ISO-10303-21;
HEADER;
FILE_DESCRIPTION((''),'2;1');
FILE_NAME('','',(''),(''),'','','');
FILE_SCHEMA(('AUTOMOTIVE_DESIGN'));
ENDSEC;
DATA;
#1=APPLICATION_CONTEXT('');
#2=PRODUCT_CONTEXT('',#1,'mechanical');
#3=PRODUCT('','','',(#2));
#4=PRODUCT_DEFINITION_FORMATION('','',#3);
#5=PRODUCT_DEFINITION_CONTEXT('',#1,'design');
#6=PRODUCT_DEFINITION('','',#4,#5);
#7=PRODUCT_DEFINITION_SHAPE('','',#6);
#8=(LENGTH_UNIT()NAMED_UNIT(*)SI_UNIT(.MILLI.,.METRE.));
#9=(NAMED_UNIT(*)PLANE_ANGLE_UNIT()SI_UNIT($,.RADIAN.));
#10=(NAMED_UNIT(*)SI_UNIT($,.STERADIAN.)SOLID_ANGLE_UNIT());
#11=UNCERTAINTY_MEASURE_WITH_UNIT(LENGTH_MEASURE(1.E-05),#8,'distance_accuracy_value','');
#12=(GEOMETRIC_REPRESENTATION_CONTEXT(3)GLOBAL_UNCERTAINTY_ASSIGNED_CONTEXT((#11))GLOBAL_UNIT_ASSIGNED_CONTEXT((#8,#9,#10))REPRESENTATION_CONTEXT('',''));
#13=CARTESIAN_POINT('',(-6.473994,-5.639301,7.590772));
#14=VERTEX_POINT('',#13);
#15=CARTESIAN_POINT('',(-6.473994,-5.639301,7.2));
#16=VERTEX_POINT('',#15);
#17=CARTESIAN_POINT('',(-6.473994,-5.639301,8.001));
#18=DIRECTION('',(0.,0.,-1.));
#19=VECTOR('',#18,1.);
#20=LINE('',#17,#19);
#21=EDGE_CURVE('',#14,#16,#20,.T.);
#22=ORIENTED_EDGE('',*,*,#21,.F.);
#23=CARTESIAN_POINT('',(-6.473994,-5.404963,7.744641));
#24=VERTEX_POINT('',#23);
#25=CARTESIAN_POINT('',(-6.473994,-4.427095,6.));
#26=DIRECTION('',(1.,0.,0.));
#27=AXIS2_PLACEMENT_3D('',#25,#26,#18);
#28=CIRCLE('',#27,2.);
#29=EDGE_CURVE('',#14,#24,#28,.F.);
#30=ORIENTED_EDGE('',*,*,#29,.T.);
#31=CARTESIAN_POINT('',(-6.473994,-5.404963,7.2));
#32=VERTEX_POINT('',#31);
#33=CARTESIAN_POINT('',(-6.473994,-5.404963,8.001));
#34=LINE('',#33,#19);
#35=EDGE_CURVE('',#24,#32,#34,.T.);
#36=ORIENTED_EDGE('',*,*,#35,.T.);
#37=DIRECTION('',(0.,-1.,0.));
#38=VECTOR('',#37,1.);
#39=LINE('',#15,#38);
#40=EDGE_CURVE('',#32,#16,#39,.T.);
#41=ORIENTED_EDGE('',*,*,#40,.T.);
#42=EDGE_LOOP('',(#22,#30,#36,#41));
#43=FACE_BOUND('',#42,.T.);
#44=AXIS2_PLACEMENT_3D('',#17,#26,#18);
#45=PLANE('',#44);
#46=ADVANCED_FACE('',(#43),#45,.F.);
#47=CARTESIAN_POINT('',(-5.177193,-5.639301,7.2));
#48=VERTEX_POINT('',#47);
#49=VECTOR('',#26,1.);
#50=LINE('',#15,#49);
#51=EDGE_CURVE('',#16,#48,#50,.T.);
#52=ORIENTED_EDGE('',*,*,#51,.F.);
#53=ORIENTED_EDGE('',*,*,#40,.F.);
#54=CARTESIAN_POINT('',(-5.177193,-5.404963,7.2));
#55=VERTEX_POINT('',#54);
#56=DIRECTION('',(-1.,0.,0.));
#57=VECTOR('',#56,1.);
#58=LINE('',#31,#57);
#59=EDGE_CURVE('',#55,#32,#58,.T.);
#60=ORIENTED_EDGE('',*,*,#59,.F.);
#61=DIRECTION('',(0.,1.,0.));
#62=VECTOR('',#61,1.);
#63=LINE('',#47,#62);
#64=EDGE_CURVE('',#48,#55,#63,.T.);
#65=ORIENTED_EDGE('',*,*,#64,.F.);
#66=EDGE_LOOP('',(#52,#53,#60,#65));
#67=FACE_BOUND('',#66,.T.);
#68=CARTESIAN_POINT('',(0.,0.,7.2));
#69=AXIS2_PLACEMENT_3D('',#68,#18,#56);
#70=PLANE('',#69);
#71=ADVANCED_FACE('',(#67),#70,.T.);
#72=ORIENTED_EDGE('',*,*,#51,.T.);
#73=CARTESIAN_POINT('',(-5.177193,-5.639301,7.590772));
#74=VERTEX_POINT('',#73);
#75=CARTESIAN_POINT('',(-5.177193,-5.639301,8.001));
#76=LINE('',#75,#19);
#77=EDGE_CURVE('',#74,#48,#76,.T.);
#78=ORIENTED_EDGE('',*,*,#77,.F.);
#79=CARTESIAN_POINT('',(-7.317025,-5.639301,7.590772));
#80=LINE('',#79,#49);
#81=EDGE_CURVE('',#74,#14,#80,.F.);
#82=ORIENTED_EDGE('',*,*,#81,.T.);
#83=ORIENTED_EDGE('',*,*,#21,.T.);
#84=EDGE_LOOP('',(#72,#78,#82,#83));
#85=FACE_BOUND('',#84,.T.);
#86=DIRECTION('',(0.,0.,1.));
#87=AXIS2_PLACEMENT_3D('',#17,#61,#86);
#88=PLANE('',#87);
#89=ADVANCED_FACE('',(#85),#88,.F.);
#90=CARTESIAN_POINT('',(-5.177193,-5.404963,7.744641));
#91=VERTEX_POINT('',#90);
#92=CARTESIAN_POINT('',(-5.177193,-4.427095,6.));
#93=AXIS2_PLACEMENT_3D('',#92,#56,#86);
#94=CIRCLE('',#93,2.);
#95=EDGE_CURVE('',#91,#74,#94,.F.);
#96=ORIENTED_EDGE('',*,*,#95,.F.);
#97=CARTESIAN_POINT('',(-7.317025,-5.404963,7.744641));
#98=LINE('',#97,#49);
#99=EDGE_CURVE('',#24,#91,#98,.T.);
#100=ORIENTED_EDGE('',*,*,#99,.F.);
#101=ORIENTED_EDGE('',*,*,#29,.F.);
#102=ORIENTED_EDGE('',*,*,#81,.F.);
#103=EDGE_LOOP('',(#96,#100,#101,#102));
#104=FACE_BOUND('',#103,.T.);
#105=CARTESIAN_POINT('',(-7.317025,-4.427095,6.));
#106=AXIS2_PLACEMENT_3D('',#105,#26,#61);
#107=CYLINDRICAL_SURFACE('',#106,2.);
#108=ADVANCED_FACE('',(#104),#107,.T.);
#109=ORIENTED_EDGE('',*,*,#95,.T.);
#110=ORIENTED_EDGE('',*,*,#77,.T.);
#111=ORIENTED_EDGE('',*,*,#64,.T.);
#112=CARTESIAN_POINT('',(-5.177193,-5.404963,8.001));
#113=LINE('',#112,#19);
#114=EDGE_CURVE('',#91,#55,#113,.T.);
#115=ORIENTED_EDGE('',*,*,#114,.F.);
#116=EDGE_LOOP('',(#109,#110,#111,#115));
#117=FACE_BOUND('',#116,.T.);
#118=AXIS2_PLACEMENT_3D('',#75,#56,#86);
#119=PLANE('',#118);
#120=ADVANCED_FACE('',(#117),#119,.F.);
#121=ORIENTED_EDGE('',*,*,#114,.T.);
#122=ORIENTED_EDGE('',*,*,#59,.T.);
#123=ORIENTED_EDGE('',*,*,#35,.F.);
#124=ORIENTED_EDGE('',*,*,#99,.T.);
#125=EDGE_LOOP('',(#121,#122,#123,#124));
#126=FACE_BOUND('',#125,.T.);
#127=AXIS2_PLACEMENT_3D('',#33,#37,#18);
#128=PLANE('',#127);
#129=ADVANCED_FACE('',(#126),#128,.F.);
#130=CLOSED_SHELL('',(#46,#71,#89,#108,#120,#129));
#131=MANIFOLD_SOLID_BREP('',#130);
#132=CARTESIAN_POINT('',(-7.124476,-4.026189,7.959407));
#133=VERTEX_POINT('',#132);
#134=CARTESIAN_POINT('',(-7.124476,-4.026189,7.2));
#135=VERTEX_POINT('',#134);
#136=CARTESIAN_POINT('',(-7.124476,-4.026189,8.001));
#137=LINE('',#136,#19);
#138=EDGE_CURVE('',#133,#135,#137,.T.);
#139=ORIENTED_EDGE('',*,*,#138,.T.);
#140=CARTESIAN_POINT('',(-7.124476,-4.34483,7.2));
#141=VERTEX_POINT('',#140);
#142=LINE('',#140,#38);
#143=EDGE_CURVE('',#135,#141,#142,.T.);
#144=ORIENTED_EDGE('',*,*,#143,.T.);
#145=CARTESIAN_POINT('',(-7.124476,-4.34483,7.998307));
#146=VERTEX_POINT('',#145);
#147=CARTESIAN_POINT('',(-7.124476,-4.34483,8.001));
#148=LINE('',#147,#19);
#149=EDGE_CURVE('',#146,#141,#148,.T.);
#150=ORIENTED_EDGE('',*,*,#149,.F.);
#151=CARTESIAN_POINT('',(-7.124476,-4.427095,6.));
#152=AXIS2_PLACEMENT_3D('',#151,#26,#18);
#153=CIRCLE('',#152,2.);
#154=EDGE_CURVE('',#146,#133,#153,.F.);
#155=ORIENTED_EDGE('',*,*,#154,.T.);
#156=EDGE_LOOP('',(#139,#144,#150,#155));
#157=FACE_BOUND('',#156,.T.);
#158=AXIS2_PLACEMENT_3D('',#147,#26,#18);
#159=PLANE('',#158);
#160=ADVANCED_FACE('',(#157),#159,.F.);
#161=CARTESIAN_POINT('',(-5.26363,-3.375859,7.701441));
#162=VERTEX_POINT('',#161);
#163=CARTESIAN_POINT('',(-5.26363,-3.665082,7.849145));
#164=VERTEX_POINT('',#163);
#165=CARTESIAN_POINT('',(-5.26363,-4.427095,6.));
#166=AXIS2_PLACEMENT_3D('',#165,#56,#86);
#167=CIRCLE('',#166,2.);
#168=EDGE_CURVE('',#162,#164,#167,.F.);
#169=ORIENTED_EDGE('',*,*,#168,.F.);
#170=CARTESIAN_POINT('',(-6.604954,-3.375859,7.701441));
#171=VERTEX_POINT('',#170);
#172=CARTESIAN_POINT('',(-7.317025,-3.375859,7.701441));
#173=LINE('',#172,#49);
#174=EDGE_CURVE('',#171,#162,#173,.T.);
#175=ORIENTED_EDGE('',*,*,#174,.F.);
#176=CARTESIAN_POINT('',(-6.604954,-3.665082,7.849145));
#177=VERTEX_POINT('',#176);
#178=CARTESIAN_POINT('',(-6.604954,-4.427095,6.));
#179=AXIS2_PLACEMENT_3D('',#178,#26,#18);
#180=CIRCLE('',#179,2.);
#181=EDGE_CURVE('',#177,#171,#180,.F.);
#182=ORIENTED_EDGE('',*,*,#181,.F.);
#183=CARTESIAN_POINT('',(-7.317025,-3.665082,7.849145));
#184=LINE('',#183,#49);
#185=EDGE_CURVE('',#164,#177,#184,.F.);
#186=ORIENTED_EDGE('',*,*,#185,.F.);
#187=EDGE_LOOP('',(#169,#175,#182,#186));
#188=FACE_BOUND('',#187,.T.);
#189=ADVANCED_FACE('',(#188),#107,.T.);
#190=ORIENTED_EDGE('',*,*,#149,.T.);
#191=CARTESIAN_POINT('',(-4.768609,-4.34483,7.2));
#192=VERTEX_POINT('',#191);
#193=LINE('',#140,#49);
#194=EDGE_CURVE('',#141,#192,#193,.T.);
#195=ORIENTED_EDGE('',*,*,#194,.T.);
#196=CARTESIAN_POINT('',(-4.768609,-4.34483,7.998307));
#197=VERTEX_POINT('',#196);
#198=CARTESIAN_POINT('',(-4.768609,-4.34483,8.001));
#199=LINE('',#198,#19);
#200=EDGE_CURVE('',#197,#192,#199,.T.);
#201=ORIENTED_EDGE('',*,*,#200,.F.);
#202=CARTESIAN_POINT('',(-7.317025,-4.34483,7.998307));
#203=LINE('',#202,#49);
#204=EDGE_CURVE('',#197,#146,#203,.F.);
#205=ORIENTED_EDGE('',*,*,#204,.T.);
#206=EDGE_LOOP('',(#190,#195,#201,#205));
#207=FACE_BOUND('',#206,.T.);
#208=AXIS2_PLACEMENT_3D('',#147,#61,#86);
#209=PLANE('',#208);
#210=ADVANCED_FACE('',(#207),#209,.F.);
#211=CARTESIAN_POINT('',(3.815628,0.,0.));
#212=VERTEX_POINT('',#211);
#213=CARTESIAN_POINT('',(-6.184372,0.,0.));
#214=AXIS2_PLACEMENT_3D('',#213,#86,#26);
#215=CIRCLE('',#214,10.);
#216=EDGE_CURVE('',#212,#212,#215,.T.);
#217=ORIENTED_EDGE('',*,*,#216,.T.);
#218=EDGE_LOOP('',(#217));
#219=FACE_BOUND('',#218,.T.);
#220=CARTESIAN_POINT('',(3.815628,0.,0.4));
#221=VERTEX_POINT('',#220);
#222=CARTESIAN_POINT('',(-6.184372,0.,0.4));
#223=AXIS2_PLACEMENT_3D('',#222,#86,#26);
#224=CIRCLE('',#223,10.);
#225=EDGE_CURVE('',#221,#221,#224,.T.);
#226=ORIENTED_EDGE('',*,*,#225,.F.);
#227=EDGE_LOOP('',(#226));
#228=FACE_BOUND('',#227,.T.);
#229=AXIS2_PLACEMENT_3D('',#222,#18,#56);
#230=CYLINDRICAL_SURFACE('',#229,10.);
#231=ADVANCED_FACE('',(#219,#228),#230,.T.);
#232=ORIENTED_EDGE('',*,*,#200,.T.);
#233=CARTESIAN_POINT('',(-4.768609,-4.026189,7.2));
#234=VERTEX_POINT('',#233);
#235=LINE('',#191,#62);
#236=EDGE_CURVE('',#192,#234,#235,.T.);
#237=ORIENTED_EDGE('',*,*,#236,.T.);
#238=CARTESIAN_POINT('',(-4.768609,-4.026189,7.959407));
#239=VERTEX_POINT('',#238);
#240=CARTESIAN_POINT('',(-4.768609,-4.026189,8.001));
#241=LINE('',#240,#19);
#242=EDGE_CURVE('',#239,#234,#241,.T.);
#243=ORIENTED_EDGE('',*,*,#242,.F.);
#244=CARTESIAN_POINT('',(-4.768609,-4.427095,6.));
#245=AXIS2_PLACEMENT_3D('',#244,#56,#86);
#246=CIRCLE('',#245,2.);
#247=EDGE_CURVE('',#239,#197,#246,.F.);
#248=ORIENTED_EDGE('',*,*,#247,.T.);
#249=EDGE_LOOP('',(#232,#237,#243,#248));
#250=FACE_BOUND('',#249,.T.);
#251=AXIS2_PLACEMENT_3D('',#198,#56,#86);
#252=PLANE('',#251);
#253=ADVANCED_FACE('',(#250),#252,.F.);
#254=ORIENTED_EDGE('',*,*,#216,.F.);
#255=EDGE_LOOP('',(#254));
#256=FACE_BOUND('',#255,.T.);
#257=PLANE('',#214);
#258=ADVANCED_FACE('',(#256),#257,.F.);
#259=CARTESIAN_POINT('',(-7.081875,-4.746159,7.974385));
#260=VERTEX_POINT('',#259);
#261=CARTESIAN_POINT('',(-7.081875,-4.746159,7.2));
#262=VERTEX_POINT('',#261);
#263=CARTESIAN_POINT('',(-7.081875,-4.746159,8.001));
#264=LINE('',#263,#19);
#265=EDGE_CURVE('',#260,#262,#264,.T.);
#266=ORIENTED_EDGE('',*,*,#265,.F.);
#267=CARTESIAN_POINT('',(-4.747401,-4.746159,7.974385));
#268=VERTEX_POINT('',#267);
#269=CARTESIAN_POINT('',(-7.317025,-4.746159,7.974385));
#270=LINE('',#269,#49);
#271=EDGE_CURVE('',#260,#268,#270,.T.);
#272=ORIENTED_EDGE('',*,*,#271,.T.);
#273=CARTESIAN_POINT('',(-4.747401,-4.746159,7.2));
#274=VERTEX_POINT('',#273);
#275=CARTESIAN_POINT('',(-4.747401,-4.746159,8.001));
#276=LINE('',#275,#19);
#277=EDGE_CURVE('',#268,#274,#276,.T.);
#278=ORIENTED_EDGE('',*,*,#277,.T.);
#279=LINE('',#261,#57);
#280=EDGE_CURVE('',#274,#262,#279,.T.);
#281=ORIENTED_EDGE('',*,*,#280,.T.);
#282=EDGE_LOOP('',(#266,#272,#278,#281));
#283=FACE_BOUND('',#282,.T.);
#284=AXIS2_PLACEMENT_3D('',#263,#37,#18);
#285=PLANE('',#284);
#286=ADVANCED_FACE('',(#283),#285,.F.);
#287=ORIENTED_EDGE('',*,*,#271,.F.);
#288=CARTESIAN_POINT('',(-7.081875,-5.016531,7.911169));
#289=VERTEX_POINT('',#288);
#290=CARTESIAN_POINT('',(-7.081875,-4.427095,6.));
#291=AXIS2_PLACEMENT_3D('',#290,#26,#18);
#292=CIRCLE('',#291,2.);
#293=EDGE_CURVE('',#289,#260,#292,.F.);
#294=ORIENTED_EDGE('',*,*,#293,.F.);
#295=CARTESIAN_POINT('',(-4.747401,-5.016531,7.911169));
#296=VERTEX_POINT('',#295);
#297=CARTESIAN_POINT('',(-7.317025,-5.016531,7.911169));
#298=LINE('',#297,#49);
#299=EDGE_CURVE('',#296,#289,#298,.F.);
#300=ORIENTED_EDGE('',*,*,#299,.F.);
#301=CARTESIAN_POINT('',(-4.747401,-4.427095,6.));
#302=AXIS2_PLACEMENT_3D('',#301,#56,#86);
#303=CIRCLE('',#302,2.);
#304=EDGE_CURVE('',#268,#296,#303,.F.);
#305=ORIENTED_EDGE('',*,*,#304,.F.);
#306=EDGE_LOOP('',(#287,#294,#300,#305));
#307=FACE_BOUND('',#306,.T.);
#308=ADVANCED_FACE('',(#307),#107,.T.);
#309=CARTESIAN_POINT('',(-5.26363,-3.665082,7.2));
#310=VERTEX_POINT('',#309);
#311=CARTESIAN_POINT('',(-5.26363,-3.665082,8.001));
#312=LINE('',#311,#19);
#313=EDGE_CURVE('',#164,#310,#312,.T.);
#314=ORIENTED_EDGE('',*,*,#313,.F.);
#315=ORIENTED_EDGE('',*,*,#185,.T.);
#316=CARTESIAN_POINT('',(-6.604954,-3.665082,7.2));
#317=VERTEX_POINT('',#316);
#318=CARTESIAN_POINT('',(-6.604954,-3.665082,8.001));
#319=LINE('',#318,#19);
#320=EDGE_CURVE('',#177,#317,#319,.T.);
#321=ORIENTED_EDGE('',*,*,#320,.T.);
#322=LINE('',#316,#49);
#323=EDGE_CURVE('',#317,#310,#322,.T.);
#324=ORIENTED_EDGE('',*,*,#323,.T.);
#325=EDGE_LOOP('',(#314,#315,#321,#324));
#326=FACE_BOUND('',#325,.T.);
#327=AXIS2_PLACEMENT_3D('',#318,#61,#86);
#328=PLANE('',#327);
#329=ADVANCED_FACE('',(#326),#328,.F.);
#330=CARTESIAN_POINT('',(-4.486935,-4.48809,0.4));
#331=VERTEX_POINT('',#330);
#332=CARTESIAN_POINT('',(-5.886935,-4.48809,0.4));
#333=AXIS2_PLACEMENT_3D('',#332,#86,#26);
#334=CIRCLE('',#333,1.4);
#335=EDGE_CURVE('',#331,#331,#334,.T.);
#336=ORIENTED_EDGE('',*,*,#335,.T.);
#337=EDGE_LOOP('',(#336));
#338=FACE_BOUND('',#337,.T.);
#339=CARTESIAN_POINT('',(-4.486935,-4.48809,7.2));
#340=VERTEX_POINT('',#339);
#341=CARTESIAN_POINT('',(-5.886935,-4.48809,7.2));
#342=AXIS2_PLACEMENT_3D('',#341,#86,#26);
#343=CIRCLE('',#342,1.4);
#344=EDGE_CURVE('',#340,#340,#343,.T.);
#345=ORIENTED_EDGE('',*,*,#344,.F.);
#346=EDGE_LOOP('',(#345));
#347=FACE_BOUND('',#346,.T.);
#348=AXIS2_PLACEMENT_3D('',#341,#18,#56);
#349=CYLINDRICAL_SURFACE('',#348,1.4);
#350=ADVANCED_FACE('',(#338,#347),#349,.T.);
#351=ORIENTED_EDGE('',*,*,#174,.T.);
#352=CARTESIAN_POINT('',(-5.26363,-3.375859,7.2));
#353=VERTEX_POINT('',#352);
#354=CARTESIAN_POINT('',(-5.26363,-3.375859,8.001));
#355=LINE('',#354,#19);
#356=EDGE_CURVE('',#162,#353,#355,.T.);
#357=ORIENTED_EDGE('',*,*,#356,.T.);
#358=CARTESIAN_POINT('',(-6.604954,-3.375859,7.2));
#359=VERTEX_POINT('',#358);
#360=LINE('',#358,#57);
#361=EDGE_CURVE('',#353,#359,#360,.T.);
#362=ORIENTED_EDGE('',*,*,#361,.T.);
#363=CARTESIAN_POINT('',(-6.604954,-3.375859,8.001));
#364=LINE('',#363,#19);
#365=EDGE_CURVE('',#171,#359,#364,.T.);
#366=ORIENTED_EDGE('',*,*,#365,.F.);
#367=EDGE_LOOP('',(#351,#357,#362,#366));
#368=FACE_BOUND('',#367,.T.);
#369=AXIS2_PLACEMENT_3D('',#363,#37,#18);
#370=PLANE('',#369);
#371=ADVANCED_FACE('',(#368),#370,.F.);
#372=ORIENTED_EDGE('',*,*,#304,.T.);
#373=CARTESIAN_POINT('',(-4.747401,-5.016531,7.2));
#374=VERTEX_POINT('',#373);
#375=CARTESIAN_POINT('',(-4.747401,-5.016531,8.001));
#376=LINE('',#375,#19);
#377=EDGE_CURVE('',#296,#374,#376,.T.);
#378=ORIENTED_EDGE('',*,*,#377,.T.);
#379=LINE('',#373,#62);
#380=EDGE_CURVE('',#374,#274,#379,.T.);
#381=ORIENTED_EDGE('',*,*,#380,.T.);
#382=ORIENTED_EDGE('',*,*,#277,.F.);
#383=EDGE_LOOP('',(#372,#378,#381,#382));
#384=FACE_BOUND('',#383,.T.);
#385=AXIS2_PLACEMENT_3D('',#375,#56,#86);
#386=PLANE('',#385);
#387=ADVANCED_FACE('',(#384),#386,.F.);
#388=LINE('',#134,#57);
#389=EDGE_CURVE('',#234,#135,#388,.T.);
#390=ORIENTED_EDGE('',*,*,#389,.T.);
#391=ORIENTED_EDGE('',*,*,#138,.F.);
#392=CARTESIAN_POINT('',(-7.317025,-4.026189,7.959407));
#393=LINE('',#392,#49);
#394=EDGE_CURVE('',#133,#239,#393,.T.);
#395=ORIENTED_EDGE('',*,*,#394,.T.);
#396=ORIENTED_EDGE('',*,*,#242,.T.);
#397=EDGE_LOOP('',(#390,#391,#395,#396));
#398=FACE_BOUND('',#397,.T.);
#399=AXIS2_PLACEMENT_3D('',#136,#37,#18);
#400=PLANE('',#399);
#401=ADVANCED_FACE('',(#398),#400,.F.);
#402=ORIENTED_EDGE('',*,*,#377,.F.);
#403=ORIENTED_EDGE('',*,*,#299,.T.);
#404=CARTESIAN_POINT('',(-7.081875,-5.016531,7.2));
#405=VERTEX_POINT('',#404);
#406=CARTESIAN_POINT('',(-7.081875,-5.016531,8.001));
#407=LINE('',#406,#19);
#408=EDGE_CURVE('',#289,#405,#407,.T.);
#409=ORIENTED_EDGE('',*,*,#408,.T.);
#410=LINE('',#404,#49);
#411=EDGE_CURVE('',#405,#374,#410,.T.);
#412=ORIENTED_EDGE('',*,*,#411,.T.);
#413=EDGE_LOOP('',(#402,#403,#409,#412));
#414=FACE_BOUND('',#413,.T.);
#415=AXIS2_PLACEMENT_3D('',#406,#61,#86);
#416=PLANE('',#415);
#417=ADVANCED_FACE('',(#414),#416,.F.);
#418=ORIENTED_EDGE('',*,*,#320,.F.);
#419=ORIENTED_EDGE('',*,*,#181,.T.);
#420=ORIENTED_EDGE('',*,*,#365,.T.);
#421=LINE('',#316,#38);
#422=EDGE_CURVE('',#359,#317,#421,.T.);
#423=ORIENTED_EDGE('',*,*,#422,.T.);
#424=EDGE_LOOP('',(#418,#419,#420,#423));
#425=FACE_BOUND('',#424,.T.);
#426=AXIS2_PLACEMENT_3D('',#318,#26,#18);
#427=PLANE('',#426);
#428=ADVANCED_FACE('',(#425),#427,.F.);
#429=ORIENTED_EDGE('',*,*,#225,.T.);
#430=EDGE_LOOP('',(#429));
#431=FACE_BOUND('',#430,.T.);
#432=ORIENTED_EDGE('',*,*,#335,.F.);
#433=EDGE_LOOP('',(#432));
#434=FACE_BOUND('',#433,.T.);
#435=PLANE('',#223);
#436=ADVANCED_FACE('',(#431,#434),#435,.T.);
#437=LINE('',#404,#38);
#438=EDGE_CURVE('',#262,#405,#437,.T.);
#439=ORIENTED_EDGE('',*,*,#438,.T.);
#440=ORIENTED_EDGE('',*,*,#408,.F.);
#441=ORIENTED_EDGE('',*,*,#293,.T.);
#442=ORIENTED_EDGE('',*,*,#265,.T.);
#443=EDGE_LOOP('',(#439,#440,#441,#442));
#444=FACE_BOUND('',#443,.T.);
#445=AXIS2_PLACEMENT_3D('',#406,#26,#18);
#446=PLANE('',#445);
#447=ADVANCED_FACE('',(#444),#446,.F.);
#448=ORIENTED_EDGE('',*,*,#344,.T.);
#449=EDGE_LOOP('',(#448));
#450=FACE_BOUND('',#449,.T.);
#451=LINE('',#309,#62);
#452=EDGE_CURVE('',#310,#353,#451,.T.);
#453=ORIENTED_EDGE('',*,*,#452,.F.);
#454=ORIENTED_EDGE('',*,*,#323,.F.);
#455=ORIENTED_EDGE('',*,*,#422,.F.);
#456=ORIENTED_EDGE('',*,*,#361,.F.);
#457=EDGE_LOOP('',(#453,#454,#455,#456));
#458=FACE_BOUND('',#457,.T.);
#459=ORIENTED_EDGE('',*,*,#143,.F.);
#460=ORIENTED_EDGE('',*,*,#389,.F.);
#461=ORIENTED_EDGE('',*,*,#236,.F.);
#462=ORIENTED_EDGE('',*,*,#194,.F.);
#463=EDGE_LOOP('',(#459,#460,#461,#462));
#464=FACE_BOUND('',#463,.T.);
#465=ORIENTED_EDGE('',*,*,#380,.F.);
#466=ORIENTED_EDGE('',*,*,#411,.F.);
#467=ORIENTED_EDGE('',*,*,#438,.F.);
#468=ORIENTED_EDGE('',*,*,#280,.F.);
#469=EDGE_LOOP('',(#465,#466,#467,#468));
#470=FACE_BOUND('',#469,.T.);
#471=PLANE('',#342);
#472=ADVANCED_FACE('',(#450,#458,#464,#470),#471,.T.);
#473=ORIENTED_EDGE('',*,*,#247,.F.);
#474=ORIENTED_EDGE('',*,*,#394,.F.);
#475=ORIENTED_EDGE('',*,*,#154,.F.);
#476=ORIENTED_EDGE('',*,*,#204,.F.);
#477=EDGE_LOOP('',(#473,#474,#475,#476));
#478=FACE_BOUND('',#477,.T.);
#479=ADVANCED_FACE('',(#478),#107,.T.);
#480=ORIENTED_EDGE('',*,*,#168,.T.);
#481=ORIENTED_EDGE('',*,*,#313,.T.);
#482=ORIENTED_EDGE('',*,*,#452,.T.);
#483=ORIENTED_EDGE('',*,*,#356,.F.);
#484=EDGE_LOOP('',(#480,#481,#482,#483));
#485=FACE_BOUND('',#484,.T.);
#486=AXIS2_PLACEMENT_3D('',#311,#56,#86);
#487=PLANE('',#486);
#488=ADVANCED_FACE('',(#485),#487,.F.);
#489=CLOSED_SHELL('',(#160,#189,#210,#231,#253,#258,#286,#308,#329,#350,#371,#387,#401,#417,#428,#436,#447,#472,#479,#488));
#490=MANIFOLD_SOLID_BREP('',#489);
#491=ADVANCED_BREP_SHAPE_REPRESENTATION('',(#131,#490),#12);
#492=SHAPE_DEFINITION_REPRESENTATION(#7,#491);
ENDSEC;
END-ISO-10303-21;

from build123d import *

# Parameters (mm, degrees)
SKETCH1_R                = 10
BOSS_EXTRUDE1_DEPTH      = 0.4
SKETCH2_R                = 1.4
BOSS_EXTRUDE2_DEPTH      = 6.8
BOSS_EXTRUDE4_REACH      = 22.341
BOSS_EXTRUDE4_END_RADIUS = 2
SKETCH5_W                = 1.296800958
SKETCH5_H                = 0.234337446
BOSS_EXTRUDE5_REACH      = 22.341
BOSS_EXTRUDE5_END_RADIUS = 2
SKETCH6_W                = 2.334473836
SKETCH6_H                = 0.270371377
BOSS_EXTRUDE6_REACH      = 22.341
BOSS_EXTRUDE6_END_RADIUS = 2
SKETCH7_W                = 2.355867359
SKETCH7_H                = 0.318641547
BOSS_EXTRUDE7_REACH      = 22.341
BOSS_EXTRUDE7_END_RADIUS = 2
SKETCH8_W                = 1.341324005
SKETCH8_H                = 0.289222795


with BuildPart() as part:
    # Sketch1 → Boss-Extrude1 (new body)
    with BuildSketch(Plane.XY):
        with Locations((-6.184372355, 0)):
            Circle(SKETCH1_R)
    extrude(amount=BOSS_EXTRUDE1_DEPTH)

    # Sketch2 → Boss-Extrude2 (add)
    with BuildSketch(Plane.XY.offset(0.4)):
        with Locations((-5.886934799, -4.488089726)):
            Circle(SKETCH2_R)
    extrude(amount=BOSS_EXTRUDE2_DEPTH)

    # Boss-Extrude5: up to this cylinder (the profile starts inside it)
    boss_extrude5_end = Plane(origin=(-5.914638, -4.427094914, 6), z_dir=(1, 0, 0)) * Cylinder(BOSS_EXTRUDE5_END_RADIUS, 49.682, mode=Mode.PRIVATE)
    # Sketch6 → Boss-Extrude5 (add, up to the surface)
    with BuildSketch(Plane.XY.offset(7.2), mode=Mode.PRIVATE) as boss_extrude5_sk1:
        with Locations((-5.914638283, -4.88134499)):
            Rectangle(SKETCH6_W, SKETCH6_H)
    boss_extrude5_tool1 = extrude(boss_extrude5_sk1.sketch, amount=BOSS_EXTRUDE5_REACH, mode=Mode.PRIVATE) & boss_extrude5_end
    add(boss_extrude5_tool1.solids().sort_by_distance((-5.914638, -4.881345, 7.2))[0])

    # Boss-Extrude6: up to this cylinder (the profile starts inside it)
    boss_extrude6_end = Plane(origin=(-5.946542, -4.427094914, 6), z_dir=(1, 0, 0)) * Cylinder(BOSS_EXTRUDE6_END_RADIUS, 49.682, mode=Mode.PRIVATE)
    # Sketch7 → Boss-Extrude6 (add, up to the surface)
    with BuildSketch(Plane.XY.offset(7.2), mode=Mode.PRIVATE) as boss_extrude6_sk1:
        with Locations((-5.946542218, -4.185509646)):
            Rectangle(SKETCH7_W, SKETCH7_H)
    boss_extrude6_tool1 = extrude(boss_extrude6_sk1.sketch, amount=BOSS_EXTRUDE6_REACH, mode=Mode.PRIVATE) & boss_extrude6_end
    add(boss_extrude6_tool1.solids().sort_by_distance((-5.946542, -4.18551, 7.2))[0])

    # Boss-Extrude7: up to this cylinder (the profile starts inside it)
    boss_extrude7_end = Plane(origin=(-5.934292, -4.427094914, 6), z_dir=(1, 0, 0)) * Cylinder(BOSS_EXTRUDE7_END_RADIUS, 49.682, mode=Mode.PRIVATE)
    # Sketch8 → Boss-Extrude7 (add, up to the surface)
    with BuildSketch(Plane.XY.offset(7.2), mode=Mode.PRIVATE) as boss_extrude7_sk1:
        with Locations((-5.934291899, -3.520470411)):
            Rectangle(SKETCH8_W, SKETCH8_H)
    boss_extrude7_tool1 = extrude(boss_extrude7_sk1.sketch, amount=BOSS_EXTRUDE7_REACH, mode=Mode.PRIVATE) & boss_extrude7_end
    add(boss_extrude7_tool1.solids().sort_by_distance((-5.934292, -3.52047, 7.2))[0])


with BuildPart() as body_2:
    # Boss-Extrude4: up to this cylinder (the profile starts inside it)
    boss_extrude4_end = Plane(origin=(-5.825593, -4.427094914, 6), z_dir=(1, 0, 0)) * Cylinder(BOSS_EXTRUDE4_END_RADIUS, 49.682, mode=Mode.PRIVATE)
    # Sketch5 → Boss-Extrude4 (new, up to the surface)
    with BuildSketch(Plane.XY.offset(7.2), mode=Mode.PRIVATE) as boss_extrude4_sk1:
        with Locations((-5.825593386, -5.522131989)):
            Rectangle(SKETCH5_W, SKETCH5_H)
    boss_extrude4_tool1 = extrude(boss_extrude4_sk1.sketch, amount=BOSS_EXTRUDE4_REACH, mode=Mode.PRIVATE) & boss_extrude4_end
    add(boss_extrude4_tool1.solids().sort_by_distance((-5.825593, -5.522132, 7.2))[0])


solid = Compound([part.part, body_2.part])
